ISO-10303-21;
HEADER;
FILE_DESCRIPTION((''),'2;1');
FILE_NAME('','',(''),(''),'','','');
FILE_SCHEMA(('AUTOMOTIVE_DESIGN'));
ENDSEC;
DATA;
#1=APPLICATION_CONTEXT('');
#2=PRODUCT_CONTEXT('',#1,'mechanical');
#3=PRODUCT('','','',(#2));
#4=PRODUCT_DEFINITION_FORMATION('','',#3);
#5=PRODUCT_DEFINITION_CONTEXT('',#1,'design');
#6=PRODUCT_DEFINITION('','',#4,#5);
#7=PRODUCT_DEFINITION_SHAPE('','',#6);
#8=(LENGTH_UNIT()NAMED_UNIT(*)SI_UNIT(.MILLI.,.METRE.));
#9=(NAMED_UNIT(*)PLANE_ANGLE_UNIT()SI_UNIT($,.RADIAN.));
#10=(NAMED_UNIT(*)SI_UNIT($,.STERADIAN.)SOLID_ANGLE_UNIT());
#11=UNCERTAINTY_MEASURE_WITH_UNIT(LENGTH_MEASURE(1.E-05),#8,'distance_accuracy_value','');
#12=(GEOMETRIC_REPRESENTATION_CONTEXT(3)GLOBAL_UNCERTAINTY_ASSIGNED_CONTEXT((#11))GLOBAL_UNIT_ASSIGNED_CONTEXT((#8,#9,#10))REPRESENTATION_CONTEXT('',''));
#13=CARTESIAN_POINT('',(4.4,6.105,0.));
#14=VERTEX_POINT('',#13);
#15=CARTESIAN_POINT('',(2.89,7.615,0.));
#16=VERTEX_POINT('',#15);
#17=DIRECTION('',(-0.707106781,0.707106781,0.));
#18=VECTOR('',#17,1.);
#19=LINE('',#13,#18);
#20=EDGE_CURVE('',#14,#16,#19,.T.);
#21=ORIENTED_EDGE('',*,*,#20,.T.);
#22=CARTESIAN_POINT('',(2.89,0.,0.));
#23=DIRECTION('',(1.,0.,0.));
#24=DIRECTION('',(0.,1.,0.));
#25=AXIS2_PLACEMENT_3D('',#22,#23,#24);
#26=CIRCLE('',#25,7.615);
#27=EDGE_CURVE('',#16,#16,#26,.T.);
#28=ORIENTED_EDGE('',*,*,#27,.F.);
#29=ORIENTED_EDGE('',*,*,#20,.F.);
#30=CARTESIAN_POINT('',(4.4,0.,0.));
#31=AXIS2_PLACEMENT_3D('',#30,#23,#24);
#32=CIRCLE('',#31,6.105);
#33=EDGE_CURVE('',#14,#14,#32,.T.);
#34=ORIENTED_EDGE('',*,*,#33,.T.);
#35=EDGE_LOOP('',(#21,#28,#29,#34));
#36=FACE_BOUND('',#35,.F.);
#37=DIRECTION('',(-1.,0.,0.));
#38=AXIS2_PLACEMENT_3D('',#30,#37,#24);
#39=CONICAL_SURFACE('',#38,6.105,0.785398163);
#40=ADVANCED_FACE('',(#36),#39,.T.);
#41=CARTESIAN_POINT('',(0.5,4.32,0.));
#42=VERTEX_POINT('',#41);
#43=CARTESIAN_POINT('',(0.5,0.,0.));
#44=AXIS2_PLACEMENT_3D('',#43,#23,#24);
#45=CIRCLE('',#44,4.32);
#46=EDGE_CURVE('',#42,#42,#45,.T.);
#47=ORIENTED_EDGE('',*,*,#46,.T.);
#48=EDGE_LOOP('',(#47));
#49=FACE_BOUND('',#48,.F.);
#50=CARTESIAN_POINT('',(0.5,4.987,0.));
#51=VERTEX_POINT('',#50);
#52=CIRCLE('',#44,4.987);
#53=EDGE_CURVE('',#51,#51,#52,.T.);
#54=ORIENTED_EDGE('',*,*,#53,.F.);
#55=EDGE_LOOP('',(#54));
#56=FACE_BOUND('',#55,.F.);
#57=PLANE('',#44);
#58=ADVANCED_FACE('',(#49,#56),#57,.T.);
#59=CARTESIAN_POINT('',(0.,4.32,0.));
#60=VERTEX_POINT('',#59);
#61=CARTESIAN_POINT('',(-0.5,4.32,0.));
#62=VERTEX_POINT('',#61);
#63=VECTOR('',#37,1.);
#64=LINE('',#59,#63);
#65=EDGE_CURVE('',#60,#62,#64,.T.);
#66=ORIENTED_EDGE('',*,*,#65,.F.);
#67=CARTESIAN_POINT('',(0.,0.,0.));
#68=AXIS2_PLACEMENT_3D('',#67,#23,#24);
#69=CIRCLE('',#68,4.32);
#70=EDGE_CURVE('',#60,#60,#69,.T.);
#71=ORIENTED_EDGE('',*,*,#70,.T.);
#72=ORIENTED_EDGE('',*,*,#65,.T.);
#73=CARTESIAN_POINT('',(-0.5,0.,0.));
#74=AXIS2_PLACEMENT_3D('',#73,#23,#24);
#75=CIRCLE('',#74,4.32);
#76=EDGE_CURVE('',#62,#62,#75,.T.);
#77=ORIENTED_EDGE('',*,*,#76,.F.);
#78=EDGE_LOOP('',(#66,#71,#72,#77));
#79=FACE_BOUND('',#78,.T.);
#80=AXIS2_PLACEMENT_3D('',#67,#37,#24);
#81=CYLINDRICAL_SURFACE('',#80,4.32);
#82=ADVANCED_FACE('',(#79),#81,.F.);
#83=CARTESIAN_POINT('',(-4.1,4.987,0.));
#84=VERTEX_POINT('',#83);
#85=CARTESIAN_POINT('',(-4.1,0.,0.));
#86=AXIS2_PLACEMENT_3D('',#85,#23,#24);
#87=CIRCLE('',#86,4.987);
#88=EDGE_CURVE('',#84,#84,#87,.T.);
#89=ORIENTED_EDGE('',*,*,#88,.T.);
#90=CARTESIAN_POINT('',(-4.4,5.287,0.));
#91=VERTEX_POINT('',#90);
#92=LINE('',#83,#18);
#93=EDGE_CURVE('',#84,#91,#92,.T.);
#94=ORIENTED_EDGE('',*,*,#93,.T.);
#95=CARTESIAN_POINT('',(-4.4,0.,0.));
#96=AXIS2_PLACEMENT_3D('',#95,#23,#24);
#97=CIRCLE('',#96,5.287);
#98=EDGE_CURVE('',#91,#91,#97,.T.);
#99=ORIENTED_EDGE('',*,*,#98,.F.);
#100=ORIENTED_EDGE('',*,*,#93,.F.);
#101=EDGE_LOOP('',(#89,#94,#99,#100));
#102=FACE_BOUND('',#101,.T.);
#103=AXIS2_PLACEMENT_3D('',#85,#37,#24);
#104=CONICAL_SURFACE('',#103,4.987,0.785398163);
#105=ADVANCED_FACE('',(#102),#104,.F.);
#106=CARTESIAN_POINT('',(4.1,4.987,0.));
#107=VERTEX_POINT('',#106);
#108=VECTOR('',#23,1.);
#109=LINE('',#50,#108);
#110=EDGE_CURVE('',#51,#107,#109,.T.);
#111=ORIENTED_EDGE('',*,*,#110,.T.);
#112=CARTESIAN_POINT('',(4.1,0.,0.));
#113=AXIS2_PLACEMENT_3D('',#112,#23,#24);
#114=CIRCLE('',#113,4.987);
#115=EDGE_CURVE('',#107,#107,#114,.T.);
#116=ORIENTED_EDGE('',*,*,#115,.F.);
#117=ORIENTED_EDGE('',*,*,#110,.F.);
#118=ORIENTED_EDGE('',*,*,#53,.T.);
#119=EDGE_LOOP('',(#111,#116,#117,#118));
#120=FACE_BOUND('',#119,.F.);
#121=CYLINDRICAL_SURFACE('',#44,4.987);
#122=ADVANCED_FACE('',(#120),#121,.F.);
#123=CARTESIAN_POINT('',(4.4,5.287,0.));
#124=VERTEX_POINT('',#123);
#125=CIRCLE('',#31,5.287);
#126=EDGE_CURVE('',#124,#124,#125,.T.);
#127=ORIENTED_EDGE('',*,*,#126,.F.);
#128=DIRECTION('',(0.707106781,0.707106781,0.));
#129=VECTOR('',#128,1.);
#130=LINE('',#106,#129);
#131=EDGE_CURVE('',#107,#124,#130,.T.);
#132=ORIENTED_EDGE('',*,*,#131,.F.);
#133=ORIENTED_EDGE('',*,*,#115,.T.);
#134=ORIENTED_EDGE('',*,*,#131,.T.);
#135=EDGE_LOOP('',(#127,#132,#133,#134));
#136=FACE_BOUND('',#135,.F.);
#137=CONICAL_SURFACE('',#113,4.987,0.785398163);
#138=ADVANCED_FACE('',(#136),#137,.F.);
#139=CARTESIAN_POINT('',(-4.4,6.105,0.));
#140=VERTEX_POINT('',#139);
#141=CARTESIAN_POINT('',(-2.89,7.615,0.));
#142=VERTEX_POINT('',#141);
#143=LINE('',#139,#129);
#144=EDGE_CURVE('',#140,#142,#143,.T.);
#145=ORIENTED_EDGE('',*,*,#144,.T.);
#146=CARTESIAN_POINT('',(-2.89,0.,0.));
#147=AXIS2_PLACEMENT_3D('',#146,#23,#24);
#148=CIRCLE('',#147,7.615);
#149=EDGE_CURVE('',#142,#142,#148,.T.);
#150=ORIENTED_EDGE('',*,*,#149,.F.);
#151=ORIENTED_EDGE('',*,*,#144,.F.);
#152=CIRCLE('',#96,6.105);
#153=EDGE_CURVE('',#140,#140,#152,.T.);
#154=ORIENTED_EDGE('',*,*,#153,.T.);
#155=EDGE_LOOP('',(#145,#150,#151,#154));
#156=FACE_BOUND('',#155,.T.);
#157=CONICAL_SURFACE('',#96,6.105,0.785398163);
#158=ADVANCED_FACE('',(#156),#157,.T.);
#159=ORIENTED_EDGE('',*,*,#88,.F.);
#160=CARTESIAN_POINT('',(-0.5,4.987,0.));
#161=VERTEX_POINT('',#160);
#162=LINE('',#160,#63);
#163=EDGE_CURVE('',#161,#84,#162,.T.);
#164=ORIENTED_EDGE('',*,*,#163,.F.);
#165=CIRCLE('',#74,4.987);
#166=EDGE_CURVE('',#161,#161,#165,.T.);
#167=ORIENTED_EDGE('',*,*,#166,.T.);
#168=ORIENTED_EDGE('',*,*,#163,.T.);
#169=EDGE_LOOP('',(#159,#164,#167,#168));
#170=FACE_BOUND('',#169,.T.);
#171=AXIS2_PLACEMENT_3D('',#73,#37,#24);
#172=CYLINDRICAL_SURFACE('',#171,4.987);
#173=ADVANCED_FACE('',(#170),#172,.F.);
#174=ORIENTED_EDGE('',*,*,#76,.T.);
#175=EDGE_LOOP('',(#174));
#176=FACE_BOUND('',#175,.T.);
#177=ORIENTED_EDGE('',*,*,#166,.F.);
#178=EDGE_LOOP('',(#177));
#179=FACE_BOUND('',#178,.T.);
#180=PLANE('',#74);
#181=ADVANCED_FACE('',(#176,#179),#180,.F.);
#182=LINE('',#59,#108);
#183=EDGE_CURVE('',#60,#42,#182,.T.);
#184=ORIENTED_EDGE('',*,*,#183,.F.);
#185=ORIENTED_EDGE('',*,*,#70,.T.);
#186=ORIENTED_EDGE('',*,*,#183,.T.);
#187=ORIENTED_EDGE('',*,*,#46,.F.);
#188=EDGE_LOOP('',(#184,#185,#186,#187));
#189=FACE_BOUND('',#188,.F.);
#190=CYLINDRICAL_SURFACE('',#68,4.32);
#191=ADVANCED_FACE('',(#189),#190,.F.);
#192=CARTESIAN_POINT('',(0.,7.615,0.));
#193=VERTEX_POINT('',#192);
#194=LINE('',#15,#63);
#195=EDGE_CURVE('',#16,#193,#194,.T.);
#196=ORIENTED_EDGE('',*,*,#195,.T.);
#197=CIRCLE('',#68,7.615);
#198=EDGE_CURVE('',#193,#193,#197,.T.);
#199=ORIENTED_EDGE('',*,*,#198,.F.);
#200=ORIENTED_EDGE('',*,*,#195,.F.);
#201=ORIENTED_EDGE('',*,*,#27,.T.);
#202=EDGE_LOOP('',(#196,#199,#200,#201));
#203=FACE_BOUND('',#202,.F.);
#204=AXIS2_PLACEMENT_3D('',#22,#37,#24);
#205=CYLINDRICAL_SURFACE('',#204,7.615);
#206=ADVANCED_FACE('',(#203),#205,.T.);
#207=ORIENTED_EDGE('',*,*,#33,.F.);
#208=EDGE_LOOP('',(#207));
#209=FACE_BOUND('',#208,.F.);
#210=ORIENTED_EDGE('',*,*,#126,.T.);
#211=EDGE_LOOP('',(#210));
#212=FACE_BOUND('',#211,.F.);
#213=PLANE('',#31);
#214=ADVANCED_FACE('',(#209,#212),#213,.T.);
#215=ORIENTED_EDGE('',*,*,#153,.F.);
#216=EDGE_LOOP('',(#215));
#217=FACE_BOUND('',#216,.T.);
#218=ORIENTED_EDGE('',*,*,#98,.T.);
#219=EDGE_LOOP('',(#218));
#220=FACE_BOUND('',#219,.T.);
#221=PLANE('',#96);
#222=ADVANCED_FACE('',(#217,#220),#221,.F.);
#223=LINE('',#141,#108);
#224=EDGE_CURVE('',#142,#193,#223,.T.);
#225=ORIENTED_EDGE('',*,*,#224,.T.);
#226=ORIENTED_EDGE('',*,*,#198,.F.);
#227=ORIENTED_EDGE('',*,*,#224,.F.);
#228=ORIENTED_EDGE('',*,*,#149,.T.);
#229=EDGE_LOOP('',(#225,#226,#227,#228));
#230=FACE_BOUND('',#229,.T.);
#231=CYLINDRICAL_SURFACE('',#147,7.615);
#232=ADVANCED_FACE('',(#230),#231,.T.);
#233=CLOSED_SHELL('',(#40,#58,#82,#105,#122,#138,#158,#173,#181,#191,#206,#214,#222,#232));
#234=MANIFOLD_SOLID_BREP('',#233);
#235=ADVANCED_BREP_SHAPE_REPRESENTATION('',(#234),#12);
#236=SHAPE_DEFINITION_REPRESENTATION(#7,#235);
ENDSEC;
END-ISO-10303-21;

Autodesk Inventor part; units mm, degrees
ref_plane "YZ Plane" through (0, 0, 0) normal (1, 0, 0) x (0, 1, 0)
ref_plane "XZ Plane" through (0, 0, 0) normal (0, 1, 0) x (-1, 0, 0)
ref_plane "XY Plane" through (0, 0, 0) normal (0, 0, 1) x (1, 0, 0)
sketch "Sketch1" plane through (0, 0, 0) normal (0, 0, 1) x (1, 0, 0)
  line L0 (0, 0) -> (5, 0)
  line L1 (0, 0) -> (0, 20) construction
  line L2 (0, 0) -> (20, 0) construction
  line L3 (0, 4.32) -> (0.5, 4.32)
  line L4 (0.5, 4.32) -> (0.5, 4.987)
  line L5 (0.5, 4.987) -> (4.1, 4.987)
  line L6 (4.4, 5.287) -> (4.4, 6.105)
  line L7 (4.4, 6.105) -> (2.89, 7.615)
  line L8 (2.89, 7.615) -> (0, 7.615)
  line L9 (4.1, 4.987) -> (4.4, 5.287)
  line L10 (0, 4.32) -> (-0.5, 4.32)
  line L11 (-0.5, 4.32) -> (-0.5, 4.987)
  line L12 (-0.5, 4.987) -> (-4.1, 4.987)
  line L13 (-4.4, 5.287) -> (-4.4, 6.105)
  line L14 (-4.4, 6.105) -> (-2.89, 7.615)
  line L15 (-2.89, 7.615) -> (0, 7.615)
  line L16 (-4.1, 4.987) -> (-4.4, 5.287)
  point P0 (4.4, 4.987)
  point P1 (-4.4, 4.987)
  dimension "d0" = 5
  dimension "d1" = 20
  dimension "d2" = 90
  dimension "d3" = 8.64
  dimension "d4" = 15.23
  dimension "d5" = 0.5
  dimension "d6" = 3.9
  dimension "d7" = 12.21
  dimension "d8" = 9.974
  dimension "d9" = 135
  dimension "d10" = 0.3
  dimension "d11" = 0.3
  dimension "d12" = 5.78
revolve "Revolution1" add sketch "Sketch1" angle 360 about axis through (0, 0, 0) along (1, 0, 0)
equation "\"d11\" = d10"
properties part number "Micro V Wheel" material "Acetal Resin, Black"
